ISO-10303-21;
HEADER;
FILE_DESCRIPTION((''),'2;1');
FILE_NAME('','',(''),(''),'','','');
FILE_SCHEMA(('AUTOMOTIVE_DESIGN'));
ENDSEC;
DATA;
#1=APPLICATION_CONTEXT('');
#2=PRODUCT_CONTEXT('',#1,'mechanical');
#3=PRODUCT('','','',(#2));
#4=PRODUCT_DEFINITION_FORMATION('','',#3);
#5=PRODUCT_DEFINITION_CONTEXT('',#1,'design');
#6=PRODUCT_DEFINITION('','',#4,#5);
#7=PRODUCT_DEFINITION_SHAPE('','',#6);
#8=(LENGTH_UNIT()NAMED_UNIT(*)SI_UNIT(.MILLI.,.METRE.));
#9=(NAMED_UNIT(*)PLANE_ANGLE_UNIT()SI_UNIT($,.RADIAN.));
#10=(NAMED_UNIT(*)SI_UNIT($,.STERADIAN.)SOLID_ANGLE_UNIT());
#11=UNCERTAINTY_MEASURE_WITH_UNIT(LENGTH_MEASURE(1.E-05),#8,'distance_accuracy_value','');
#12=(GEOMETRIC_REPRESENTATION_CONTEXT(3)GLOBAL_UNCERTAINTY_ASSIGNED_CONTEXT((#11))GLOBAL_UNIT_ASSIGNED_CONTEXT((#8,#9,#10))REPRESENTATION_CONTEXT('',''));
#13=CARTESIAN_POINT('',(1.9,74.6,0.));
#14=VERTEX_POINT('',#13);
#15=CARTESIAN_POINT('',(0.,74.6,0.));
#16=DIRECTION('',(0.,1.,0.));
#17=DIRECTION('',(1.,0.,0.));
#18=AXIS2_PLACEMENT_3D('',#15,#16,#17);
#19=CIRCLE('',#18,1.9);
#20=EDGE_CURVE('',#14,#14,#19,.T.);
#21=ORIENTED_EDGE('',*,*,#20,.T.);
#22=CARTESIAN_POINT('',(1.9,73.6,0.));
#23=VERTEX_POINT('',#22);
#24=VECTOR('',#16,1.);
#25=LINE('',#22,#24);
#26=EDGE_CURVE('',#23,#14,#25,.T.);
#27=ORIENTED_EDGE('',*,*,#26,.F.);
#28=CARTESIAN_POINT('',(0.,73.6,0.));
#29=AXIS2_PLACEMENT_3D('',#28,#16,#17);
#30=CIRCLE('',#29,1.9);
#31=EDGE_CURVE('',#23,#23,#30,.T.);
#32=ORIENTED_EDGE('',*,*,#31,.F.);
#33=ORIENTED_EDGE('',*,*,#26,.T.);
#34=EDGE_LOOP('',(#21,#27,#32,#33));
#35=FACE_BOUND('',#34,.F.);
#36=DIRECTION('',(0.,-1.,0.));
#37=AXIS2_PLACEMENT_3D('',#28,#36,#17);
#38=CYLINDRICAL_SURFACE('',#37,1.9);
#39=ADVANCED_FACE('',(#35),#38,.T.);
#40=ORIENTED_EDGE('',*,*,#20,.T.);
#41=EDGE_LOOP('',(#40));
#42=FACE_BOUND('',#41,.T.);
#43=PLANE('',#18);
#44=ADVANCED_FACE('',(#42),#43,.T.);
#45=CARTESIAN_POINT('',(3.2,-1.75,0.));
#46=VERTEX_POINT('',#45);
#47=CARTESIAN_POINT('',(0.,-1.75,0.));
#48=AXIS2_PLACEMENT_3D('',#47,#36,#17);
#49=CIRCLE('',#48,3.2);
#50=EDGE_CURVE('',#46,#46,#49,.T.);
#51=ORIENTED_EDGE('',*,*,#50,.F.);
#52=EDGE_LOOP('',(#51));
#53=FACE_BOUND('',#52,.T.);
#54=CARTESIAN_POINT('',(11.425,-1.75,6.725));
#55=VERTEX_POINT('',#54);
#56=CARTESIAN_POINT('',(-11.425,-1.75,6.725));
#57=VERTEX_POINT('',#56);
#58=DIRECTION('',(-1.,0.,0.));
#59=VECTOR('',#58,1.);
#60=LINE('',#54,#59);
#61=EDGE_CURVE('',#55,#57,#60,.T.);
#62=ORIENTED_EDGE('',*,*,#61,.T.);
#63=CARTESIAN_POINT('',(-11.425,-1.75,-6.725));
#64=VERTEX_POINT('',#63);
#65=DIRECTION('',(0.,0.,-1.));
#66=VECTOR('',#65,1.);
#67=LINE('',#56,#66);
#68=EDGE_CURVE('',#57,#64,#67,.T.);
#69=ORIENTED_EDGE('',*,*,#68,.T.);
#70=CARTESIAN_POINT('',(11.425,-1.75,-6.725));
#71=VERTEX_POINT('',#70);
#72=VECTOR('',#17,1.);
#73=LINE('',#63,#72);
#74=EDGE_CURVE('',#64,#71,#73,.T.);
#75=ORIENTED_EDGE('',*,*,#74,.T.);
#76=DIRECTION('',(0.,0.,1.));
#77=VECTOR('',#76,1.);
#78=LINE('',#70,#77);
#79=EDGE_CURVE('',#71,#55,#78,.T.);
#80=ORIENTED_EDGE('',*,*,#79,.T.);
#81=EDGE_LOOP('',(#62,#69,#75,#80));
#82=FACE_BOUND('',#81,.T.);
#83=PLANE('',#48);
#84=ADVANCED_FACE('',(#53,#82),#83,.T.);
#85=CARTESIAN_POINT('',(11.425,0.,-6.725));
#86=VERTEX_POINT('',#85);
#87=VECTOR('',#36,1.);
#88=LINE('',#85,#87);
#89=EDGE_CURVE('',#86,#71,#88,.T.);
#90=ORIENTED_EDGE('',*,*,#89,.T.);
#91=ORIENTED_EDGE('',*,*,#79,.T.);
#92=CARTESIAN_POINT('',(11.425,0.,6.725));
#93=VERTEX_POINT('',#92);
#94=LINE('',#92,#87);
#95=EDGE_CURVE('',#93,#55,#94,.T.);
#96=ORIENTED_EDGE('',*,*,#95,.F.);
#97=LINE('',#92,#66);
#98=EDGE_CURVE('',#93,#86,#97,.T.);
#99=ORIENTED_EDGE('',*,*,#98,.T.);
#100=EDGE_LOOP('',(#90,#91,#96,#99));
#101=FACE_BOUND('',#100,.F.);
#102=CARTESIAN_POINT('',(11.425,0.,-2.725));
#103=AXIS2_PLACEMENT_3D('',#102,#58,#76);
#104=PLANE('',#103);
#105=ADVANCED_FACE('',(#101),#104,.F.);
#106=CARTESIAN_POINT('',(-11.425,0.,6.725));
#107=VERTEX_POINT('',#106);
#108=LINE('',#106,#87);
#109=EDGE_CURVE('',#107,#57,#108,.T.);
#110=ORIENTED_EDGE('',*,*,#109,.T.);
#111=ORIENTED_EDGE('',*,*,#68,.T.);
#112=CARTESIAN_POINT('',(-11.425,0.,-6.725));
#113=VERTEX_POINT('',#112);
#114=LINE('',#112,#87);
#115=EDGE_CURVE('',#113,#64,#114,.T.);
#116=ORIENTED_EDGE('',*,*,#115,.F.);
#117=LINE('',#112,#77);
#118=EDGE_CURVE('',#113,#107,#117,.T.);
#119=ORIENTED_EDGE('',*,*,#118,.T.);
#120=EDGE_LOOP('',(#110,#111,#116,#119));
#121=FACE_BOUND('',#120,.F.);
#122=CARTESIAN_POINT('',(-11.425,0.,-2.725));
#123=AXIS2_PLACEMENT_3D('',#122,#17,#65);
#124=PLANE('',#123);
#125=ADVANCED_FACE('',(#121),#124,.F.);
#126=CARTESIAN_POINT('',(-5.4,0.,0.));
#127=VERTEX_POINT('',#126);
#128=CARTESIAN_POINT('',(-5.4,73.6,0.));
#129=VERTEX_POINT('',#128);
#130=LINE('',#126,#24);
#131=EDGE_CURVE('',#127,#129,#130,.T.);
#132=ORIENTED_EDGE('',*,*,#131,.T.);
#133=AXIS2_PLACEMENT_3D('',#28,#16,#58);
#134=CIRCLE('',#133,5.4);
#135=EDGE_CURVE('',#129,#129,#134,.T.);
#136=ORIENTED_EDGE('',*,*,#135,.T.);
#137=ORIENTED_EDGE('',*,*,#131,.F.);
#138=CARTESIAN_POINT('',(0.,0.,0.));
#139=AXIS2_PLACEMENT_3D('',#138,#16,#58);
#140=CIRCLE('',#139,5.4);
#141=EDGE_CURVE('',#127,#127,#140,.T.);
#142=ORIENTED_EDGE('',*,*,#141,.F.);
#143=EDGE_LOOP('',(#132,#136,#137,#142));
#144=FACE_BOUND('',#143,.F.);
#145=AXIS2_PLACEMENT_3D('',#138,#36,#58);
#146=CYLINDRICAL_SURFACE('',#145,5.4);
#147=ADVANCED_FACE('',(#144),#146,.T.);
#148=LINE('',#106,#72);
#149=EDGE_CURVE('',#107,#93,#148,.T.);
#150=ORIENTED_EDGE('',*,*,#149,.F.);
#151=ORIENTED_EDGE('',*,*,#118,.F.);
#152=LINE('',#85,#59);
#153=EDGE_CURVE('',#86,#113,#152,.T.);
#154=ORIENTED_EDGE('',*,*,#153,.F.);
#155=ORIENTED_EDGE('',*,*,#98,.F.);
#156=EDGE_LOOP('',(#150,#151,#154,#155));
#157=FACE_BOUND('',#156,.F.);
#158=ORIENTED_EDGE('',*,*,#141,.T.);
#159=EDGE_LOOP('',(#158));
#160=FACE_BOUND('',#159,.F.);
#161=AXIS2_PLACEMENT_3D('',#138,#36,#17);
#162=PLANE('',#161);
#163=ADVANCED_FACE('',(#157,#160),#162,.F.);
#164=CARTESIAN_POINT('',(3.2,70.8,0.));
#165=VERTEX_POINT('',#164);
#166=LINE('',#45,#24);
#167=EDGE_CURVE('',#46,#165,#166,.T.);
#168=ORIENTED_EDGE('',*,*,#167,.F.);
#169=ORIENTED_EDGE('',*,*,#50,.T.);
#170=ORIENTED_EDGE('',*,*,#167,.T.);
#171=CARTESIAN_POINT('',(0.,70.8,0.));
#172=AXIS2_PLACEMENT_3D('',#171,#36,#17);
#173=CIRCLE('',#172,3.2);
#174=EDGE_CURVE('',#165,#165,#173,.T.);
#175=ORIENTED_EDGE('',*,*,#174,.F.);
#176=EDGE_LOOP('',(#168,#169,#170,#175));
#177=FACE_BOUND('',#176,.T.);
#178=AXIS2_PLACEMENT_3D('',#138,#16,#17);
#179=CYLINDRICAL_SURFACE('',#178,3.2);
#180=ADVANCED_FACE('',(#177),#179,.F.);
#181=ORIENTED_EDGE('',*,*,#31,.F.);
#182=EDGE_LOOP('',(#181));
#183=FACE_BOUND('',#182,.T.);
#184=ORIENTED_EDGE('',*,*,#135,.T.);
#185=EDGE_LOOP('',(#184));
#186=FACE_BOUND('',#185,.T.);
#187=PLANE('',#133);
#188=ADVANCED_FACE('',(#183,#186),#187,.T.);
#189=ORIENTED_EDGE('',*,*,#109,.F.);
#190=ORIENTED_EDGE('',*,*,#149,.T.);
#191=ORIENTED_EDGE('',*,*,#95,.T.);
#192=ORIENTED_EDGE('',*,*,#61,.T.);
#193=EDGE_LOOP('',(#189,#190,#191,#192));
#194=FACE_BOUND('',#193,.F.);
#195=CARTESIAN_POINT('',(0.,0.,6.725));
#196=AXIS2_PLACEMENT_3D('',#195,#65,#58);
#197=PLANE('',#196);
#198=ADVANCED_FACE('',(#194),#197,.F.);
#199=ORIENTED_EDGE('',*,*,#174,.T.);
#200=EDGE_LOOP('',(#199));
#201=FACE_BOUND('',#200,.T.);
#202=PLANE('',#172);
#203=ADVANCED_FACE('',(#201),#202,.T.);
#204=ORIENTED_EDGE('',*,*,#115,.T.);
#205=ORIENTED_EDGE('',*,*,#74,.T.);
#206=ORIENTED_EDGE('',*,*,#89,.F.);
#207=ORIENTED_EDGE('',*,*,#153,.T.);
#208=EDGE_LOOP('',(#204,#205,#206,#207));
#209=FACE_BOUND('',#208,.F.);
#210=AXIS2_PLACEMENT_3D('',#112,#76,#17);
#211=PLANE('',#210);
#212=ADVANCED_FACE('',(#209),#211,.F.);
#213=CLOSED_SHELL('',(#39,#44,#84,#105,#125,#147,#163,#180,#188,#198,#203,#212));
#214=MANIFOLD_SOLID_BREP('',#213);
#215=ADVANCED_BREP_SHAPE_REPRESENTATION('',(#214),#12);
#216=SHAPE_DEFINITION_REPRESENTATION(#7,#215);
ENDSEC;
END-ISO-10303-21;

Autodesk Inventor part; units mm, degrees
ref_plane "YZ Plane" through (0, 0, 0) normal (1, 0, 0) x (0, 1, 0)
ref_plane "XZ Plane" through (0, 0, 0) normal (0, 1, 0) x (-1, 0, 0)
ref_plane "XY Plane" through (0, 0, 0) normal (0, 0, 1) x (1, 0, 0)
sketch "Sketch1" plane through (0, 0, 0) normal (0, 1, 0) x (-1, 0, 0)
  circle A0 centre (0, 0) radius 5.4
  dimension "d0" = 10.8
extrude "Extrusion1" add sketch "Sketch1" along normal blind 73.6
sketch "Sketch2" plane through (0, 0, 0) normal (0, -1, 0) x (1, 0, 0)
  circle A0 centre (0, 0) radius 3.2
  dimension "d3" = 6.4
extrude "Extrusion2" cut sketch "Sketch2" against normal blind 70.8
sketch "Sketch3" plane through (0, 73.6, 0) normal (0, 1, 0) x (1, 0, 0)
  circle A0 centre (0, 0) radius 1.9
extrude "Extrusion3" add sketch "Sketch3" along normal blind 1
sketch "Sketch4" plane through (0, 0, 0) normal (0, -1, 0) x (1, 0, 0)
  line L0 (0, 0) -> (0, 6.725)
  line L1 (0, 6.725) -> (0, -6.725)
  line L2 (0, 6.725) -> (11.425, 6.725)
  line L3 (11.425, 6.725) -> (-11.425, 6.725)
  line L4 (-11.425, 6.725) -> (-11.425, -2.725)
  line L5 (11.425, -2.725) -> (11.425, 6.725)
  circle A0 centre (0, 0) radius 3.2 projected
  line L6 (-11.425, 6.725) -> (-11.425, -6.725)
  line L7 (-11.425, -6.725) -> (11.425, -6.725)
  line L8 (11.425, -6.725) -> (11.425, 6.725)
  dimension "d8" = 6.725
  dimension "d9" = 13.45
  dimension "d10" = 11.425
  dimension "d11" = 22.85
  dimension "d17" = 13.45
extrude "Extrusion4" add sketch "Sketch4" along normal blind 1.75 contours A0 L1 L7 L6 L4 L3 L0 | L0 L2 L5 L8 L7 L1 A0
properties part number "SyringeBody"
